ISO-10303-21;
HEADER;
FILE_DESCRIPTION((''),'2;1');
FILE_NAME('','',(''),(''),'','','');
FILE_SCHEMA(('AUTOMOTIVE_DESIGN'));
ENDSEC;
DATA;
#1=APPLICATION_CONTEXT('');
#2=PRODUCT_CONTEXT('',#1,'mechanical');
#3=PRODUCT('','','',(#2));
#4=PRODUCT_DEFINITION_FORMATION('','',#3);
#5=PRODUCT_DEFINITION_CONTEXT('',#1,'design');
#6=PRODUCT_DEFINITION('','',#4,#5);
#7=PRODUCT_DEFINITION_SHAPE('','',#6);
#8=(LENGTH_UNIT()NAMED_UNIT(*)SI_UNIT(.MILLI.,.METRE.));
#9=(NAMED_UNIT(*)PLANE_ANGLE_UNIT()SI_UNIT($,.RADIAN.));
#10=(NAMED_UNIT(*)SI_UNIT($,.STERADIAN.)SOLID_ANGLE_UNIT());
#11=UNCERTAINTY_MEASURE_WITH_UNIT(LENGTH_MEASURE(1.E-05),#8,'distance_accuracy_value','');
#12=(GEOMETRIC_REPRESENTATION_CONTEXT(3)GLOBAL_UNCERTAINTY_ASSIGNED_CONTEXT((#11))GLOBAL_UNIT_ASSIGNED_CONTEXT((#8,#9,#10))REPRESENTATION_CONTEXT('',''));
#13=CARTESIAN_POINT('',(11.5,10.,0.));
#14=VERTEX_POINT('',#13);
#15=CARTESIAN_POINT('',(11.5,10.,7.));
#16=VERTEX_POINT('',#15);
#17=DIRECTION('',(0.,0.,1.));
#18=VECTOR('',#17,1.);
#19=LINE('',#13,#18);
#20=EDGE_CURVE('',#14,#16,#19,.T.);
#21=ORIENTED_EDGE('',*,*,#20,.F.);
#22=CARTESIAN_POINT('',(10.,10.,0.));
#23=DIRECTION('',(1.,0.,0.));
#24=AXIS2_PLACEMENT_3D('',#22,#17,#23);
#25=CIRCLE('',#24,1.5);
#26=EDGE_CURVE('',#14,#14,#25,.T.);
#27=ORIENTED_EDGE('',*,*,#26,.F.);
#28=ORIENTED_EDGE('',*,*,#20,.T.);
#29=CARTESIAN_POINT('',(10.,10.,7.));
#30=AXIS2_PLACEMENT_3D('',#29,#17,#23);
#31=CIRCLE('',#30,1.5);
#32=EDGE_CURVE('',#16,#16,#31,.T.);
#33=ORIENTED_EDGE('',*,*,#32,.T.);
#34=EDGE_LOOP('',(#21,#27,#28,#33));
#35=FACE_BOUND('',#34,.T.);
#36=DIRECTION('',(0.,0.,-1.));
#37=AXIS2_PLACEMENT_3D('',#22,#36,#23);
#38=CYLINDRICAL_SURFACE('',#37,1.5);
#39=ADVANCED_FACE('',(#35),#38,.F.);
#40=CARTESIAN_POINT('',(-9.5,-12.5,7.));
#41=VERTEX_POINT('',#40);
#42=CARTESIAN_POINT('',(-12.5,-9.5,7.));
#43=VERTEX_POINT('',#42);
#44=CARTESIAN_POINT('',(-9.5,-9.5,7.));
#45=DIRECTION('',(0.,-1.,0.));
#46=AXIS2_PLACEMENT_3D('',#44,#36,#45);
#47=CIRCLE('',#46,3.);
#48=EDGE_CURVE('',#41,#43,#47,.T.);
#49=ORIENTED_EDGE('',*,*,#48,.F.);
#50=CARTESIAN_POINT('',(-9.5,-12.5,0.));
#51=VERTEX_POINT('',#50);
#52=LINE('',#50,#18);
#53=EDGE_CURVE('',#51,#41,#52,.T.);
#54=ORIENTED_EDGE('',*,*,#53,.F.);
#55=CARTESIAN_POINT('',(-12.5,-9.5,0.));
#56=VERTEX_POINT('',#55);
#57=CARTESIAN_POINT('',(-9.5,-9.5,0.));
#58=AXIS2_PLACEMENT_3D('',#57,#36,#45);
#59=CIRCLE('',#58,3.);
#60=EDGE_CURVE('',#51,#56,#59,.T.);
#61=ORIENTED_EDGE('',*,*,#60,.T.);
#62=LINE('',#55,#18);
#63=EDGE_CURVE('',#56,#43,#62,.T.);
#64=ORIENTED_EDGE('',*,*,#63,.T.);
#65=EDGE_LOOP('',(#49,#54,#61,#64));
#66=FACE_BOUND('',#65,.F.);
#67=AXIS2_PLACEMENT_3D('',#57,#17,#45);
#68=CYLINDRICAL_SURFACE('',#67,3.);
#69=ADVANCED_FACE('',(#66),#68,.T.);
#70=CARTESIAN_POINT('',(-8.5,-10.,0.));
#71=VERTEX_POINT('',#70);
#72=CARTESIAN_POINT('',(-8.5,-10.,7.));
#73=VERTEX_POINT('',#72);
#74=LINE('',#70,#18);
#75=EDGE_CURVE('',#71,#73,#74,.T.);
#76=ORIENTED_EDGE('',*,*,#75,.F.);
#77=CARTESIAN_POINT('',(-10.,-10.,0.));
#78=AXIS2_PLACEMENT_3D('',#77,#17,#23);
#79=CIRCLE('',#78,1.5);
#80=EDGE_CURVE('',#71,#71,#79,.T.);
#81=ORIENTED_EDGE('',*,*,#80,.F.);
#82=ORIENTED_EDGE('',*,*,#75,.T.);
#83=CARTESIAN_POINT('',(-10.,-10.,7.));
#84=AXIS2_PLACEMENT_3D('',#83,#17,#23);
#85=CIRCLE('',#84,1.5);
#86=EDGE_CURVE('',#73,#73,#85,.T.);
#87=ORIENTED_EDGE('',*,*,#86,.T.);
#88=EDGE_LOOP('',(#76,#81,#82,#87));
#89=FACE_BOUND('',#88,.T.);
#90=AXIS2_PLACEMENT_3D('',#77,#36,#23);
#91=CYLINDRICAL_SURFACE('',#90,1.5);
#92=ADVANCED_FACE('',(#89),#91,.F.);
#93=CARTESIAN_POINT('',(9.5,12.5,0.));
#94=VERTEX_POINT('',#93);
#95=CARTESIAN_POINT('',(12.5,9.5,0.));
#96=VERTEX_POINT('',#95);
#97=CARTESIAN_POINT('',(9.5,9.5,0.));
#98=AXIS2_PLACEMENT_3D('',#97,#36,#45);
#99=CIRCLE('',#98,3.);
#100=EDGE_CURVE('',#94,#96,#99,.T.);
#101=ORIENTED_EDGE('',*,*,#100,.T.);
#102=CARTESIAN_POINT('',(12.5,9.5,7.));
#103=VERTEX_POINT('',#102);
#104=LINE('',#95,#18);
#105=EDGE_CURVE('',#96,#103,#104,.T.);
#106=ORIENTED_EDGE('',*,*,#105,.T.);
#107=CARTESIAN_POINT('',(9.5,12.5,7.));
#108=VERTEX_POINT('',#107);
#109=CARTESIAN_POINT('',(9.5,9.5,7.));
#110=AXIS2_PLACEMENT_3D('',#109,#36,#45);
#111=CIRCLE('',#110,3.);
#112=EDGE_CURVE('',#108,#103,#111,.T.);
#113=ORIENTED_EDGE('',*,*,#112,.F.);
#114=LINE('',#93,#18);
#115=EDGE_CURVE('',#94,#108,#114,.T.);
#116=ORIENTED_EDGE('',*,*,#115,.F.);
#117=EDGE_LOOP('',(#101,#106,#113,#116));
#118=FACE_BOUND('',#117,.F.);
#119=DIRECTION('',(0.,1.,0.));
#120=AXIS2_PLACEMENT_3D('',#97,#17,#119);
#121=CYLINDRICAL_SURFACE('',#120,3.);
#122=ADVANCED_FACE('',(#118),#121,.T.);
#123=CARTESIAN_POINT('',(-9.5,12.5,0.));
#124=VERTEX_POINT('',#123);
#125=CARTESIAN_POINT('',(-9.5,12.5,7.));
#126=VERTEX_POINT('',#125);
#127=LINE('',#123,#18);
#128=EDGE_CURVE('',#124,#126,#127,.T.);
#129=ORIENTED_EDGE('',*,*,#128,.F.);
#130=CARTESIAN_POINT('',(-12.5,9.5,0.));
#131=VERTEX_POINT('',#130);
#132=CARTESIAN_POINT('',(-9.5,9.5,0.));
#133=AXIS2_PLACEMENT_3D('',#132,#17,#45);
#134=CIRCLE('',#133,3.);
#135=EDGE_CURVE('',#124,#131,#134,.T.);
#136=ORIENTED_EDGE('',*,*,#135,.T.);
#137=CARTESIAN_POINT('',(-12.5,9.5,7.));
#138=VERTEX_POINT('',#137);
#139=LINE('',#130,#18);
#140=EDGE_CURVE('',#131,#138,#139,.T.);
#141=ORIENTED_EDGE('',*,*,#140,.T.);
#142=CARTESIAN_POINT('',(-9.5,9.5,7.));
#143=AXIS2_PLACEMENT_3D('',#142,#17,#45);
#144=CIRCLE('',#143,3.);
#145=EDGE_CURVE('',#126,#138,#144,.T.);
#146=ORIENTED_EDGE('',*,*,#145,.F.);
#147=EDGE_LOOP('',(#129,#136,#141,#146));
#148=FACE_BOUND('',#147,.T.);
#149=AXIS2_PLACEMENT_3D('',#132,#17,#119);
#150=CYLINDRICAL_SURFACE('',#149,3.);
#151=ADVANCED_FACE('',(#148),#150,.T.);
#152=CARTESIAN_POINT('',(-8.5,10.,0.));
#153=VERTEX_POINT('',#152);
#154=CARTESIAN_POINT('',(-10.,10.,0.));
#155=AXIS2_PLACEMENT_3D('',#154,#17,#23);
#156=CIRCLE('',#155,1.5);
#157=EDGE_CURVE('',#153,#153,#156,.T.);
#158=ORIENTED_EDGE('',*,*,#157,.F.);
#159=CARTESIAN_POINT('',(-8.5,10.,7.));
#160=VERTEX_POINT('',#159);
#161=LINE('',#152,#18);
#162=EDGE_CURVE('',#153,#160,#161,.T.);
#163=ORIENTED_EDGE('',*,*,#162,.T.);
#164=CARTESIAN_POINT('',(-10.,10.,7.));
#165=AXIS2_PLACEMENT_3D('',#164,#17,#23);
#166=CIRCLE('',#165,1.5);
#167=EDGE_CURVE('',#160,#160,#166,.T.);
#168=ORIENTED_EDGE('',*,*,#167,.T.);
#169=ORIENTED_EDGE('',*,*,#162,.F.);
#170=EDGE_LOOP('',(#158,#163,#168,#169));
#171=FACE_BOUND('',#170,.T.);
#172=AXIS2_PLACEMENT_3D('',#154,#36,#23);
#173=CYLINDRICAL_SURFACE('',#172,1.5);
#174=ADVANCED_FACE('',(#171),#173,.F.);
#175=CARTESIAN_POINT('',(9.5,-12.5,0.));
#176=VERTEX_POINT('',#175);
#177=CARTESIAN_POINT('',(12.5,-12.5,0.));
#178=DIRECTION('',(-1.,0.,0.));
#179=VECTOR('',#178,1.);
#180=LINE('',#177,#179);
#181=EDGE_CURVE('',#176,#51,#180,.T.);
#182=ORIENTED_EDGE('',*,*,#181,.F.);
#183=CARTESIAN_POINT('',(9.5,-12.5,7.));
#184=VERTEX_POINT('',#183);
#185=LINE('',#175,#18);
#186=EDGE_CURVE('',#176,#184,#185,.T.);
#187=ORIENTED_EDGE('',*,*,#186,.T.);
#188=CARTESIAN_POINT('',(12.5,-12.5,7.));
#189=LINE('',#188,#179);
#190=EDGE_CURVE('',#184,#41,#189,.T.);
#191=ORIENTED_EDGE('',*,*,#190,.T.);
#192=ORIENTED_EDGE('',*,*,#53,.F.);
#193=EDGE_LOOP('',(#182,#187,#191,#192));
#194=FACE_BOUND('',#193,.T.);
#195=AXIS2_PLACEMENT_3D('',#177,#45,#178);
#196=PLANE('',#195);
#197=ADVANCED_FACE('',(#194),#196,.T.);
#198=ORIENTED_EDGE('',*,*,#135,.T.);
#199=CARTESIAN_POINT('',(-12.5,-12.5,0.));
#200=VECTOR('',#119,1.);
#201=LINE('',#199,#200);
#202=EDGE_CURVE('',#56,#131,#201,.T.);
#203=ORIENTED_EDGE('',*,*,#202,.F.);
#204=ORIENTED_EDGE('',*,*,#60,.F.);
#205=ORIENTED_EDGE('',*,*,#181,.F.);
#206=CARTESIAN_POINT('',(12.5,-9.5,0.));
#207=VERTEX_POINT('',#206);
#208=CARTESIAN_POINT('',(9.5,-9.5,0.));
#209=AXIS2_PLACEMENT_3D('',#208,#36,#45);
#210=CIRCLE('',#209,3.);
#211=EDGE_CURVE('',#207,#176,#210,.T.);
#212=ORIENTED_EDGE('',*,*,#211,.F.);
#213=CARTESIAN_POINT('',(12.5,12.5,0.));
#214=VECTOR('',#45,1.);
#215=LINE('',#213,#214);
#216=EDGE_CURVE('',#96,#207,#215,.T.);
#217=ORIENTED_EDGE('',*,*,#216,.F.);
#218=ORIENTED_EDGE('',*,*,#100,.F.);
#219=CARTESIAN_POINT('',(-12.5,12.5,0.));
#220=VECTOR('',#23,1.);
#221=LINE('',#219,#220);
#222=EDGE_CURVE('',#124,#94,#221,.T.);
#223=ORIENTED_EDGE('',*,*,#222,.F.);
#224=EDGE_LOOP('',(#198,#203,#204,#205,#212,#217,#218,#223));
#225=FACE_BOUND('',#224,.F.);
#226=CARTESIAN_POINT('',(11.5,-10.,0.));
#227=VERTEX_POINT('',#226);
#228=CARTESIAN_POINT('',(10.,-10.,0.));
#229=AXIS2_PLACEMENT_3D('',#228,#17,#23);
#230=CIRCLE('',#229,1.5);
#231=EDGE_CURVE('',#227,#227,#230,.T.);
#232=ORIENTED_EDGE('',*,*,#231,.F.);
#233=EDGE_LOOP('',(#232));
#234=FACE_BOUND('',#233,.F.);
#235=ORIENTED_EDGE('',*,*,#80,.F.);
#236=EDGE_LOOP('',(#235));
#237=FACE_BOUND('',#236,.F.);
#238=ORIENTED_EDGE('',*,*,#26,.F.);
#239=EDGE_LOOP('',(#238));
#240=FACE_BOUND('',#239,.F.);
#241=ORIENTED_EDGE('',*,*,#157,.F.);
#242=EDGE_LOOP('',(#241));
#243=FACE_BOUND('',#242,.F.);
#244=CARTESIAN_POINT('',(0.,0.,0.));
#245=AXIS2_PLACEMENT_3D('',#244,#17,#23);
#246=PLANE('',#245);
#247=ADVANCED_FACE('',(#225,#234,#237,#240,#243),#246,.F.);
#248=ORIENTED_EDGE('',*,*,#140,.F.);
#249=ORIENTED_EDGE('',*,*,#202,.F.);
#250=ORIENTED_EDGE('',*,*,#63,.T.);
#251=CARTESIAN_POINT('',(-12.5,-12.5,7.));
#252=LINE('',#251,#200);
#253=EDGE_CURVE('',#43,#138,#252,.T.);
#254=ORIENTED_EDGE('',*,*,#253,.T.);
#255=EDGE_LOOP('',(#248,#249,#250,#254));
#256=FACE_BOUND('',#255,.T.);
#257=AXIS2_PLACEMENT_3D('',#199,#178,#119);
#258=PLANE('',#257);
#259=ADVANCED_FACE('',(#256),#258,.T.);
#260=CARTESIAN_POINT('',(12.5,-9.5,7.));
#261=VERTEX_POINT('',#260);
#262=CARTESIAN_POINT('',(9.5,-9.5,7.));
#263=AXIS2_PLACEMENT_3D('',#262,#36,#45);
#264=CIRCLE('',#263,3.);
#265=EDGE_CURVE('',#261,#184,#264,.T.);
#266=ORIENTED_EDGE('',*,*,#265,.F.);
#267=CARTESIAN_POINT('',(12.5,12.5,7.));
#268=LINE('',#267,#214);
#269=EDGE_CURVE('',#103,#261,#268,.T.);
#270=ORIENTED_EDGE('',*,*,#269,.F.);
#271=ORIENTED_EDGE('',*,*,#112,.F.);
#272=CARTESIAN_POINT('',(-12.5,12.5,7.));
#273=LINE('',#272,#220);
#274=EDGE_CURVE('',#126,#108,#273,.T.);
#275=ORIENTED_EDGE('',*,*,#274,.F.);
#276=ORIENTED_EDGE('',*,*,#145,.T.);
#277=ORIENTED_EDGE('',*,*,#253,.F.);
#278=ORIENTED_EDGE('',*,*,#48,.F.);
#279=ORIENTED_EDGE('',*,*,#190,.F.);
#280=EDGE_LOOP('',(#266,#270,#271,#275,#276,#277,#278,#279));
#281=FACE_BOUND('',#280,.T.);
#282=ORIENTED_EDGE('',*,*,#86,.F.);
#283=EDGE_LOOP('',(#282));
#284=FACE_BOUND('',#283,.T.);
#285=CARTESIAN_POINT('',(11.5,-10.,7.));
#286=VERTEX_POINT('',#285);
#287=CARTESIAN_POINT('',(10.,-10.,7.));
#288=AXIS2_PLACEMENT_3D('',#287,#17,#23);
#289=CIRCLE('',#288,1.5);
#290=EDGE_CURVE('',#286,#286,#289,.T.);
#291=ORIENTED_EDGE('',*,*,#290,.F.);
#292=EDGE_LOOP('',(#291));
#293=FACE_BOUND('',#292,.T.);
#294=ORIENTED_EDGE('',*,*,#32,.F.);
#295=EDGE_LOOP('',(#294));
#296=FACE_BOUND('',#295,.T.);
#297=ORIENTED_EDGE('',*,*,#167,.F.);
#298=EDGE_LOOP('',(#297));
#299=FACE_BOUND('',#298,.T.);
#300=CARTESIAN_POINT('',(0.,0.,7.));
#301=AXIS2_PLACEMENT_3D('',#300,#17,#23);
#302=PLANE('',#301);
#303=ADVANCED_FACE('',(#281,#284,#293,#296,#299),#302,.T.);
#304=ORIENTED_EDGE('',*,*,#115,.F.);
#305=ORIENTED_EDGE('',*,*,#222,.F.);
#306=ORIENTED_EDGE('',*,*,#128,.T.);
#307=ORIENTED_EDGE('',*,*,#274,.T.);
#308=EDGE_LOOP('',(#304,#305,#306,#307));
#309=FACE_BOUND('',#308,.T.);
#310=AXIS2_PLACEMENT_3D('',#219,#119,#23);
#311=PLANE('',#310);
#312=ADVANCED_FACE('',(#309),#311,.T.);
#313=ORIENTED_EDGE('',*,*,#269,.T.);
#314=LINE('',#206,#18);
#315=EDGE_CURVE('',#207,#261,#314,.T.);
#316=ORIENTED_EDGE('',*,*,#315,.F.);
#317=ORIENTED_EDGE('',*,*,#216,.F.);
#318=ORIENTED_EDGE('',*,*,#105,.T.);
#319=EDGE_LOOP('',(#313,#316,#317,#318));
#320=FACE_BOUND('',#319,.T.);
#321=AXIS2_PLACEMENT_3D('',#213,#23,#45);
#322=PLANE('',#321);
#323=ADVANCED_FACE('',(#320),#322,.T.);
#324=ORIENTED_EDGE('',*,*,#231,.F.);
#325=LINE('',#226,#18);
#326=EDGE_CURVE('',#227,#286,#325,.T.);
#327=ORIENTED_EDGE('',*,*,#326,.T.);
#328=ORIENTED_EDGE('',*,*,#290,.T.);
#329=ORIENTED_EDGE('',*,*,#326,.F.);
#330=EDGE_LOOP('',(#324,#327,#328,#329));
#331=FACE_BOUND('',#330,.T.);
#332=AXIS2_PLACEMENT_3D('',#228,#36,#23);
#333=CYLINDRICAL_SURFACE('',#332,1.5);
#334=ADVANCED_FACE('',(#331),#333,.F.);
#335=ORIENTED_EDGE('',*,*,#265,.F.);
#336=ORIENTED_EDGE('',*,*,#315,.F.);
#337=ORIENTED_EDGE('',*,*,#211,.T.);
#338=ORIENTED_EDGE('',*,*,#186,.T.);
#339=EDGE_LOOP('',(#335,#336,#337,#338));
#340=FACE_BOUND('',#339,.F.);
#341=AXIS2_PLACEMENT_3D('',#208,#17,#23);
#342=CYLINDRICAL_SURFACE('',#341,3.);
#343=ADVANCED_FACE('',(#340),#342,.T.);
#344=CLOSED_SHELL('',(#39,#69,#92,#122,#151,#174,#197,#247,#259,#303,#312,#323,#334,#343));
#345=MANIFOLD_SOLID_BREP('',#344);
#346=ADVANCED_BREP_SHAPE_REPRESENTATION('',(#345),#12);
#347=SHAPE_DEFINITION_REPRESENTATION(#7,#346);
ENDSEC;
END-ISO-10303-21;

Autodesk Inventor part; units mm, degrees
ref_plane "YZ Plane" through (0, 0, 0) normal (1, 0, 0) x (0, 1, 0)
ref_plane "XZ Plane" through (0, 0, 0) normal (0, 1, 0) x (-1, 0, 0)
ref_plane "XY Plane" through (0, 0, 0) normal (0, 0, 1) x (1, 0, 0)
sketch "スケッチ1" plane through (0, 0, 0) normal (0, 0, 1) x (1, 0, 0)
  line L0 (-12.5, 12.5) -> (12.5, 12.5)
  line L1 (12.5, 12.5) -> (12.5, -12.5)
  line L2 (12.5, -12.5) -> (-12.5, -12.5)
  line L3 (-12.5, -12.5) -> (-12.5, 12.5)
  line L4 (-12.5, 12.5) -> (12.5, -12.5) construction
  line L5 (12.5, 12.5) -> (-12.5, -12.5) construction
  line L6 (10, 10) -> (-10, 10) construction
  line L7 (-10, 10) -> (-10, -10) construction
  line L8 (-10, -10) -> (10, -10) construction
  line L9 (10, -10) -> (10, 10) construction
  line L10 (10, 10) -> (-10, -10) construction
  line L11 (-10, 10) -> (10, -10) construction
  circle A0 centre (-10, 10) radius 1.5
  circle A1 centre (10, 10) radius 1.5
  circle A2 centre (-10, -10) radius 1.5
  circle A3 centre (10, -10) radius 1.5
  point P0 (0, 0)
  dimension "d0" = 25
  dimension "d1" = 25
  dimension "d2" = 20
  dimension "d3" = 20
  dimension "d4" = 3
  dimension "d5" = 3
  dimension "d6" = 3
  dimension "d7" = 3
extrude "押し出し1" add sketch "スケッチ1" along normal blind 7
fillet "フィレット1" radius 3 4 edges at (-12.5, 12.5, 3.5) (12.5, 12.5, 3.5) (12.5, -12.5, 3.5) (-12.5, -12.5, 3.5)
properties part number "YDM2507C12F"
